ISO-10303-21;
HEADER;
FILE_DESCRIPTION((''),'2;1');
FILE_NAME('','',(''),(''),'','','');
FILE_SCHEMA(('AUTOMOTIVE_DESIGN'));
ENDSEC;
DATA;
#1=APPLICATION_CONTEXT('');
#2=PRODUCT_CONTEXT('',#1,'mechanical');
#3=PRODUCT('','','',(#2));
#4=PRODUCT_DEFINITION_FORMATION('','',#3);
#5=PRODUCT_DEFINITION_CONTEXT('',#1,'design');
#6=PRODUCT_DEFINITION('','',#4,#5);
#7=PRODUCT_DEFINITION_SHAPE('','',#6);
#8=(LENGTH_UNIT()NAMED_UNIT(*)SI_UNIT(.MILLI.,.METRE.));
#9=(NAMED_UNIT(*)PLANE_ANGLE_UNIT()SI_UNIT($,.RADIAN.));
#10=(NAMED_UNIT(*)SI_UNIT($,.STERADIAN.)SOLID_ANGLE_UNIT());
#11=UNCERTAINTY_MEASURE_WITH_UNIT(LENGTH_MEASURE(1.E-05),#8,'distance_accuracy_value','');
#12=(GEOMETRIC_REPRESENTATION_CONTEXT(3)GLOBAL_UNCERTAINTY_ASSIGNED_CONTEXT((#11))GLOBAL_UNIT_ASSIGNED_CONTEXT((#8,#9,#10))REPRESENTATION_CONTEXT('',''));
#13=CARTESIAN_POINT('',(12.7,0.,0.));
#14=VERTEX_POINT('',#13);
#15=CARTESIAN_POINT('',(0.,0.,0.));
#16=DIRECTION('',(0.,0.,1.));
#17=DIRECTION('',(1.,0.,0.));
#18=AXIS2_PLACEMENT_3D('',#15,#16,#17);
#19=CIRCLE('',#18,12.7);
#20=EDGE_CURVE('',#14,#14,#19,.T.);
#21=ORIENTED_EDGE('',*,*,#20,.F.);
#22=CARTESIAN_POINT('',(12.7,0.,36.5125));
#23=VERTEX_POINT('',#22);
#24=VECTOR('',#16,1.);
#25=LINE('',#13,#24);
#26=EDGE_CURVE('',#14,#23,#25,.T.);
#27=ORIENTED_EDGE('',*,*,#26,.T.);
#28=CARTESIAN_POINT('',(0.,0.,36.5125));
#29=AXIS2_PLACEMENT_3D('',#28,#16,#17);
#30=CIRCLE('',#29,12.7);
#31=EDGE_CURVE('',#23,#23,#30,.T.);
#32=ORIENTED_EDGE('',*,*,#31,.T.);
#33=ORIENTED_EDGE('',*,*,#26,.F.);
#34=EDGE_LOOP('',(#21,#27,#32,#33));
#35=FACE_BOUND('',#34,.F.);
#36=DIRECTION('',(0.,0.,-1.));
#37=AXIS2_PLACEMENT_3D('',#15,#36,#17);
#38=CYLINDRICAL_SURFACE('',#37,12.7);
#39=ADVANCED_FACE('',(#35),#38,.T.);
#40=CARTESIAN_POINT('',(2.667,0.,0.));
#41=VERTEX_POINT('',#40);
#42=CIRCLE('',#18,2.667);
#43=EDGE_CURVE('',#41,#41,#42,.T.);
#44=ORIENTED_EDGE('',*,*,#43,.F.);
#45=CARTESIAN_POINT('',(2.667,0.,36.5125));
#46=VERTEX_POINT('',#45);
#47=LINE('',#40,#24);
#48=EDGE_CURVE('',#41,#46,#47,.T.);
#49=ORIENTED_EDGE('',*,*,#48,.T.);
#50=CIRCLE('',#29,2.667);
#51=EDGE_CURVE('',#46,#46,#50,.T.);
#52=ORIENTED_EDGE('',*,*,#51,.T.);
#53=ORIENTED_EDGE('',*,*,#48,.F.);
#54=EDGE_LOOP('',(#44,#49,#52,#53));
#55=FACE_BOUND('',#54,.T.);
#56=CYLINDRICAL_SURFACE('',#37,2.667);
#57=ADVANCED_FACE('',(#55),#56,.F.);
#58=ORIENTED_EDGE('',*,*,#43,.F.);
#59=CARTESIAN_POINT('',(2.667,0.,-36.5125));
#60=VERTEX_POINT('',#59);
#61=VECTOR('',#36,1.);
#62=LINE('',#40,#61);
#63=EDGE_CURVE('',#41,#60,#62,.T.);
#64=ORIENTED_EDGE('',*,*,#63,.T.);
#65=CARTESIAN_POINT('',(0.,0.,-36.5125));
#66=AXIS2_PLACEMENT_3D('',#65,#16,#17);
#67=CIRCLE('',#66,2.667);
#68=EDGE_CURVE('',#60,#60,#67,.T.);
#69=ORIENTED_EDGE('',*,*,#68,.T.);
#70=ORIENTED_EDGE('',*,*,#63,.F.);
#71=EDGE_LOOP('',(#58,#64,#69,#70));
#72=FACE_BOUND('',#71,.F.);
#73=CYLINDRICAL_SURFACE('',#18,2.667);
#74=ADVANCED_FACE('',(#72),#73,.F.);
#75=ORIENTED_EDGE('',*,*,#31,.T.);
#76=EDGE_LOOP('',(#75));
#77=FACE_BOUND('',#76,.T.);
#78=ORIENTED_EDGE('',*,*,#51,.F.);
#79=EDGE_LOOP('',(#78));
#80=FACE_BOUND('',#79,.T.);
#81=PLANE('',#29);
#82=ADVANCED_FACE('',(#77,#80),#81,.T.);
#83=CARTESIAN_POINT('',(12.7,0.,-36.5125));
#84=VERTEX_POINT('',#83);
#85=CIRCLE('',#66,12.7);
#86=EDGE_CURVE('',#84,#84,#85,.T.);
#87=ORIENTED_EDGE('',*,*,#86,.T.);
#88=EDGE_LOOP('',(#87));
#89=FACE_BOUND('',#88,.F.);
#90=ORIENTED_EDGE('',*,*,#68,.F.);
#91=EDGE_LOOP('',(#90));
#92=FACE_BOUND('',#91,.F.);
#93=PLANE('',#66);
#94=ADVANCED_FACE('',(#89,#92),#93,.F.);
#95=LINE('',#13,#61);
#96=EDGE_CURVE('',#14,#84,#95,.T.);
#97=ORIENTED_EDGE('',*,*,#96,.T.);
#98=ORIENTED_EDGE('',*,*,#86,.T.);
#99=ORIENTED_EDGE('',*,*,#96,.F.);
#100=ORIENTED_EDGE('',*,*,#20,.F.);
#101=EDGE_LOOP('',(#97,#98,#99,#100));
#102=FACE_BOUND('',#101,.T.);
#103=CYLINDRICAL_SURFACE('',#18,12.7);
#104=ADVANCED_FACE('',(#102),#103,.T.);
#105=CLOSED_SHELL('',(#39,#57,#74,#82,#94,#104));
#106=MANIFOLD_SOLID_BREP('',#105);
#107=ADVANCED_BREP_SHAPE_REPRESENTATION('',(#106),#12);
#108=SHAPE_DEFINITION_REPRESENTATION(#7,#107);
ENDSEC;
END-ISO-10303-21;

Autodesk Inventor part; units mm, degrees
ref_plane "YZ Plane" through (0, 0, 0) normal (1, 0, 0) x (0, 1, 0)
ref_plane "XZ Plane" through (0, 0, 0) normal (0, 1, 0) x (-1, 0, 0)
ref_plane "XY Plane" through (0, 0, 0) normal (0, 0, 1) x (1, 0, 0)
sketch "Sketch1" plane through (0, 0, 0) normal (0, 0, 1) x (1, 0, 0)
  circle A0 centre (0, 0) radius 12.7
  circle A1 centre (0, 0) radius 2.667
  dimension "d0" = 25.4
  dimension "d1" = 5.334
extrude "Extrusion1" add sketch "Sketch1" along normal mid plane 73.025
properties part number "2_875-spacers"
